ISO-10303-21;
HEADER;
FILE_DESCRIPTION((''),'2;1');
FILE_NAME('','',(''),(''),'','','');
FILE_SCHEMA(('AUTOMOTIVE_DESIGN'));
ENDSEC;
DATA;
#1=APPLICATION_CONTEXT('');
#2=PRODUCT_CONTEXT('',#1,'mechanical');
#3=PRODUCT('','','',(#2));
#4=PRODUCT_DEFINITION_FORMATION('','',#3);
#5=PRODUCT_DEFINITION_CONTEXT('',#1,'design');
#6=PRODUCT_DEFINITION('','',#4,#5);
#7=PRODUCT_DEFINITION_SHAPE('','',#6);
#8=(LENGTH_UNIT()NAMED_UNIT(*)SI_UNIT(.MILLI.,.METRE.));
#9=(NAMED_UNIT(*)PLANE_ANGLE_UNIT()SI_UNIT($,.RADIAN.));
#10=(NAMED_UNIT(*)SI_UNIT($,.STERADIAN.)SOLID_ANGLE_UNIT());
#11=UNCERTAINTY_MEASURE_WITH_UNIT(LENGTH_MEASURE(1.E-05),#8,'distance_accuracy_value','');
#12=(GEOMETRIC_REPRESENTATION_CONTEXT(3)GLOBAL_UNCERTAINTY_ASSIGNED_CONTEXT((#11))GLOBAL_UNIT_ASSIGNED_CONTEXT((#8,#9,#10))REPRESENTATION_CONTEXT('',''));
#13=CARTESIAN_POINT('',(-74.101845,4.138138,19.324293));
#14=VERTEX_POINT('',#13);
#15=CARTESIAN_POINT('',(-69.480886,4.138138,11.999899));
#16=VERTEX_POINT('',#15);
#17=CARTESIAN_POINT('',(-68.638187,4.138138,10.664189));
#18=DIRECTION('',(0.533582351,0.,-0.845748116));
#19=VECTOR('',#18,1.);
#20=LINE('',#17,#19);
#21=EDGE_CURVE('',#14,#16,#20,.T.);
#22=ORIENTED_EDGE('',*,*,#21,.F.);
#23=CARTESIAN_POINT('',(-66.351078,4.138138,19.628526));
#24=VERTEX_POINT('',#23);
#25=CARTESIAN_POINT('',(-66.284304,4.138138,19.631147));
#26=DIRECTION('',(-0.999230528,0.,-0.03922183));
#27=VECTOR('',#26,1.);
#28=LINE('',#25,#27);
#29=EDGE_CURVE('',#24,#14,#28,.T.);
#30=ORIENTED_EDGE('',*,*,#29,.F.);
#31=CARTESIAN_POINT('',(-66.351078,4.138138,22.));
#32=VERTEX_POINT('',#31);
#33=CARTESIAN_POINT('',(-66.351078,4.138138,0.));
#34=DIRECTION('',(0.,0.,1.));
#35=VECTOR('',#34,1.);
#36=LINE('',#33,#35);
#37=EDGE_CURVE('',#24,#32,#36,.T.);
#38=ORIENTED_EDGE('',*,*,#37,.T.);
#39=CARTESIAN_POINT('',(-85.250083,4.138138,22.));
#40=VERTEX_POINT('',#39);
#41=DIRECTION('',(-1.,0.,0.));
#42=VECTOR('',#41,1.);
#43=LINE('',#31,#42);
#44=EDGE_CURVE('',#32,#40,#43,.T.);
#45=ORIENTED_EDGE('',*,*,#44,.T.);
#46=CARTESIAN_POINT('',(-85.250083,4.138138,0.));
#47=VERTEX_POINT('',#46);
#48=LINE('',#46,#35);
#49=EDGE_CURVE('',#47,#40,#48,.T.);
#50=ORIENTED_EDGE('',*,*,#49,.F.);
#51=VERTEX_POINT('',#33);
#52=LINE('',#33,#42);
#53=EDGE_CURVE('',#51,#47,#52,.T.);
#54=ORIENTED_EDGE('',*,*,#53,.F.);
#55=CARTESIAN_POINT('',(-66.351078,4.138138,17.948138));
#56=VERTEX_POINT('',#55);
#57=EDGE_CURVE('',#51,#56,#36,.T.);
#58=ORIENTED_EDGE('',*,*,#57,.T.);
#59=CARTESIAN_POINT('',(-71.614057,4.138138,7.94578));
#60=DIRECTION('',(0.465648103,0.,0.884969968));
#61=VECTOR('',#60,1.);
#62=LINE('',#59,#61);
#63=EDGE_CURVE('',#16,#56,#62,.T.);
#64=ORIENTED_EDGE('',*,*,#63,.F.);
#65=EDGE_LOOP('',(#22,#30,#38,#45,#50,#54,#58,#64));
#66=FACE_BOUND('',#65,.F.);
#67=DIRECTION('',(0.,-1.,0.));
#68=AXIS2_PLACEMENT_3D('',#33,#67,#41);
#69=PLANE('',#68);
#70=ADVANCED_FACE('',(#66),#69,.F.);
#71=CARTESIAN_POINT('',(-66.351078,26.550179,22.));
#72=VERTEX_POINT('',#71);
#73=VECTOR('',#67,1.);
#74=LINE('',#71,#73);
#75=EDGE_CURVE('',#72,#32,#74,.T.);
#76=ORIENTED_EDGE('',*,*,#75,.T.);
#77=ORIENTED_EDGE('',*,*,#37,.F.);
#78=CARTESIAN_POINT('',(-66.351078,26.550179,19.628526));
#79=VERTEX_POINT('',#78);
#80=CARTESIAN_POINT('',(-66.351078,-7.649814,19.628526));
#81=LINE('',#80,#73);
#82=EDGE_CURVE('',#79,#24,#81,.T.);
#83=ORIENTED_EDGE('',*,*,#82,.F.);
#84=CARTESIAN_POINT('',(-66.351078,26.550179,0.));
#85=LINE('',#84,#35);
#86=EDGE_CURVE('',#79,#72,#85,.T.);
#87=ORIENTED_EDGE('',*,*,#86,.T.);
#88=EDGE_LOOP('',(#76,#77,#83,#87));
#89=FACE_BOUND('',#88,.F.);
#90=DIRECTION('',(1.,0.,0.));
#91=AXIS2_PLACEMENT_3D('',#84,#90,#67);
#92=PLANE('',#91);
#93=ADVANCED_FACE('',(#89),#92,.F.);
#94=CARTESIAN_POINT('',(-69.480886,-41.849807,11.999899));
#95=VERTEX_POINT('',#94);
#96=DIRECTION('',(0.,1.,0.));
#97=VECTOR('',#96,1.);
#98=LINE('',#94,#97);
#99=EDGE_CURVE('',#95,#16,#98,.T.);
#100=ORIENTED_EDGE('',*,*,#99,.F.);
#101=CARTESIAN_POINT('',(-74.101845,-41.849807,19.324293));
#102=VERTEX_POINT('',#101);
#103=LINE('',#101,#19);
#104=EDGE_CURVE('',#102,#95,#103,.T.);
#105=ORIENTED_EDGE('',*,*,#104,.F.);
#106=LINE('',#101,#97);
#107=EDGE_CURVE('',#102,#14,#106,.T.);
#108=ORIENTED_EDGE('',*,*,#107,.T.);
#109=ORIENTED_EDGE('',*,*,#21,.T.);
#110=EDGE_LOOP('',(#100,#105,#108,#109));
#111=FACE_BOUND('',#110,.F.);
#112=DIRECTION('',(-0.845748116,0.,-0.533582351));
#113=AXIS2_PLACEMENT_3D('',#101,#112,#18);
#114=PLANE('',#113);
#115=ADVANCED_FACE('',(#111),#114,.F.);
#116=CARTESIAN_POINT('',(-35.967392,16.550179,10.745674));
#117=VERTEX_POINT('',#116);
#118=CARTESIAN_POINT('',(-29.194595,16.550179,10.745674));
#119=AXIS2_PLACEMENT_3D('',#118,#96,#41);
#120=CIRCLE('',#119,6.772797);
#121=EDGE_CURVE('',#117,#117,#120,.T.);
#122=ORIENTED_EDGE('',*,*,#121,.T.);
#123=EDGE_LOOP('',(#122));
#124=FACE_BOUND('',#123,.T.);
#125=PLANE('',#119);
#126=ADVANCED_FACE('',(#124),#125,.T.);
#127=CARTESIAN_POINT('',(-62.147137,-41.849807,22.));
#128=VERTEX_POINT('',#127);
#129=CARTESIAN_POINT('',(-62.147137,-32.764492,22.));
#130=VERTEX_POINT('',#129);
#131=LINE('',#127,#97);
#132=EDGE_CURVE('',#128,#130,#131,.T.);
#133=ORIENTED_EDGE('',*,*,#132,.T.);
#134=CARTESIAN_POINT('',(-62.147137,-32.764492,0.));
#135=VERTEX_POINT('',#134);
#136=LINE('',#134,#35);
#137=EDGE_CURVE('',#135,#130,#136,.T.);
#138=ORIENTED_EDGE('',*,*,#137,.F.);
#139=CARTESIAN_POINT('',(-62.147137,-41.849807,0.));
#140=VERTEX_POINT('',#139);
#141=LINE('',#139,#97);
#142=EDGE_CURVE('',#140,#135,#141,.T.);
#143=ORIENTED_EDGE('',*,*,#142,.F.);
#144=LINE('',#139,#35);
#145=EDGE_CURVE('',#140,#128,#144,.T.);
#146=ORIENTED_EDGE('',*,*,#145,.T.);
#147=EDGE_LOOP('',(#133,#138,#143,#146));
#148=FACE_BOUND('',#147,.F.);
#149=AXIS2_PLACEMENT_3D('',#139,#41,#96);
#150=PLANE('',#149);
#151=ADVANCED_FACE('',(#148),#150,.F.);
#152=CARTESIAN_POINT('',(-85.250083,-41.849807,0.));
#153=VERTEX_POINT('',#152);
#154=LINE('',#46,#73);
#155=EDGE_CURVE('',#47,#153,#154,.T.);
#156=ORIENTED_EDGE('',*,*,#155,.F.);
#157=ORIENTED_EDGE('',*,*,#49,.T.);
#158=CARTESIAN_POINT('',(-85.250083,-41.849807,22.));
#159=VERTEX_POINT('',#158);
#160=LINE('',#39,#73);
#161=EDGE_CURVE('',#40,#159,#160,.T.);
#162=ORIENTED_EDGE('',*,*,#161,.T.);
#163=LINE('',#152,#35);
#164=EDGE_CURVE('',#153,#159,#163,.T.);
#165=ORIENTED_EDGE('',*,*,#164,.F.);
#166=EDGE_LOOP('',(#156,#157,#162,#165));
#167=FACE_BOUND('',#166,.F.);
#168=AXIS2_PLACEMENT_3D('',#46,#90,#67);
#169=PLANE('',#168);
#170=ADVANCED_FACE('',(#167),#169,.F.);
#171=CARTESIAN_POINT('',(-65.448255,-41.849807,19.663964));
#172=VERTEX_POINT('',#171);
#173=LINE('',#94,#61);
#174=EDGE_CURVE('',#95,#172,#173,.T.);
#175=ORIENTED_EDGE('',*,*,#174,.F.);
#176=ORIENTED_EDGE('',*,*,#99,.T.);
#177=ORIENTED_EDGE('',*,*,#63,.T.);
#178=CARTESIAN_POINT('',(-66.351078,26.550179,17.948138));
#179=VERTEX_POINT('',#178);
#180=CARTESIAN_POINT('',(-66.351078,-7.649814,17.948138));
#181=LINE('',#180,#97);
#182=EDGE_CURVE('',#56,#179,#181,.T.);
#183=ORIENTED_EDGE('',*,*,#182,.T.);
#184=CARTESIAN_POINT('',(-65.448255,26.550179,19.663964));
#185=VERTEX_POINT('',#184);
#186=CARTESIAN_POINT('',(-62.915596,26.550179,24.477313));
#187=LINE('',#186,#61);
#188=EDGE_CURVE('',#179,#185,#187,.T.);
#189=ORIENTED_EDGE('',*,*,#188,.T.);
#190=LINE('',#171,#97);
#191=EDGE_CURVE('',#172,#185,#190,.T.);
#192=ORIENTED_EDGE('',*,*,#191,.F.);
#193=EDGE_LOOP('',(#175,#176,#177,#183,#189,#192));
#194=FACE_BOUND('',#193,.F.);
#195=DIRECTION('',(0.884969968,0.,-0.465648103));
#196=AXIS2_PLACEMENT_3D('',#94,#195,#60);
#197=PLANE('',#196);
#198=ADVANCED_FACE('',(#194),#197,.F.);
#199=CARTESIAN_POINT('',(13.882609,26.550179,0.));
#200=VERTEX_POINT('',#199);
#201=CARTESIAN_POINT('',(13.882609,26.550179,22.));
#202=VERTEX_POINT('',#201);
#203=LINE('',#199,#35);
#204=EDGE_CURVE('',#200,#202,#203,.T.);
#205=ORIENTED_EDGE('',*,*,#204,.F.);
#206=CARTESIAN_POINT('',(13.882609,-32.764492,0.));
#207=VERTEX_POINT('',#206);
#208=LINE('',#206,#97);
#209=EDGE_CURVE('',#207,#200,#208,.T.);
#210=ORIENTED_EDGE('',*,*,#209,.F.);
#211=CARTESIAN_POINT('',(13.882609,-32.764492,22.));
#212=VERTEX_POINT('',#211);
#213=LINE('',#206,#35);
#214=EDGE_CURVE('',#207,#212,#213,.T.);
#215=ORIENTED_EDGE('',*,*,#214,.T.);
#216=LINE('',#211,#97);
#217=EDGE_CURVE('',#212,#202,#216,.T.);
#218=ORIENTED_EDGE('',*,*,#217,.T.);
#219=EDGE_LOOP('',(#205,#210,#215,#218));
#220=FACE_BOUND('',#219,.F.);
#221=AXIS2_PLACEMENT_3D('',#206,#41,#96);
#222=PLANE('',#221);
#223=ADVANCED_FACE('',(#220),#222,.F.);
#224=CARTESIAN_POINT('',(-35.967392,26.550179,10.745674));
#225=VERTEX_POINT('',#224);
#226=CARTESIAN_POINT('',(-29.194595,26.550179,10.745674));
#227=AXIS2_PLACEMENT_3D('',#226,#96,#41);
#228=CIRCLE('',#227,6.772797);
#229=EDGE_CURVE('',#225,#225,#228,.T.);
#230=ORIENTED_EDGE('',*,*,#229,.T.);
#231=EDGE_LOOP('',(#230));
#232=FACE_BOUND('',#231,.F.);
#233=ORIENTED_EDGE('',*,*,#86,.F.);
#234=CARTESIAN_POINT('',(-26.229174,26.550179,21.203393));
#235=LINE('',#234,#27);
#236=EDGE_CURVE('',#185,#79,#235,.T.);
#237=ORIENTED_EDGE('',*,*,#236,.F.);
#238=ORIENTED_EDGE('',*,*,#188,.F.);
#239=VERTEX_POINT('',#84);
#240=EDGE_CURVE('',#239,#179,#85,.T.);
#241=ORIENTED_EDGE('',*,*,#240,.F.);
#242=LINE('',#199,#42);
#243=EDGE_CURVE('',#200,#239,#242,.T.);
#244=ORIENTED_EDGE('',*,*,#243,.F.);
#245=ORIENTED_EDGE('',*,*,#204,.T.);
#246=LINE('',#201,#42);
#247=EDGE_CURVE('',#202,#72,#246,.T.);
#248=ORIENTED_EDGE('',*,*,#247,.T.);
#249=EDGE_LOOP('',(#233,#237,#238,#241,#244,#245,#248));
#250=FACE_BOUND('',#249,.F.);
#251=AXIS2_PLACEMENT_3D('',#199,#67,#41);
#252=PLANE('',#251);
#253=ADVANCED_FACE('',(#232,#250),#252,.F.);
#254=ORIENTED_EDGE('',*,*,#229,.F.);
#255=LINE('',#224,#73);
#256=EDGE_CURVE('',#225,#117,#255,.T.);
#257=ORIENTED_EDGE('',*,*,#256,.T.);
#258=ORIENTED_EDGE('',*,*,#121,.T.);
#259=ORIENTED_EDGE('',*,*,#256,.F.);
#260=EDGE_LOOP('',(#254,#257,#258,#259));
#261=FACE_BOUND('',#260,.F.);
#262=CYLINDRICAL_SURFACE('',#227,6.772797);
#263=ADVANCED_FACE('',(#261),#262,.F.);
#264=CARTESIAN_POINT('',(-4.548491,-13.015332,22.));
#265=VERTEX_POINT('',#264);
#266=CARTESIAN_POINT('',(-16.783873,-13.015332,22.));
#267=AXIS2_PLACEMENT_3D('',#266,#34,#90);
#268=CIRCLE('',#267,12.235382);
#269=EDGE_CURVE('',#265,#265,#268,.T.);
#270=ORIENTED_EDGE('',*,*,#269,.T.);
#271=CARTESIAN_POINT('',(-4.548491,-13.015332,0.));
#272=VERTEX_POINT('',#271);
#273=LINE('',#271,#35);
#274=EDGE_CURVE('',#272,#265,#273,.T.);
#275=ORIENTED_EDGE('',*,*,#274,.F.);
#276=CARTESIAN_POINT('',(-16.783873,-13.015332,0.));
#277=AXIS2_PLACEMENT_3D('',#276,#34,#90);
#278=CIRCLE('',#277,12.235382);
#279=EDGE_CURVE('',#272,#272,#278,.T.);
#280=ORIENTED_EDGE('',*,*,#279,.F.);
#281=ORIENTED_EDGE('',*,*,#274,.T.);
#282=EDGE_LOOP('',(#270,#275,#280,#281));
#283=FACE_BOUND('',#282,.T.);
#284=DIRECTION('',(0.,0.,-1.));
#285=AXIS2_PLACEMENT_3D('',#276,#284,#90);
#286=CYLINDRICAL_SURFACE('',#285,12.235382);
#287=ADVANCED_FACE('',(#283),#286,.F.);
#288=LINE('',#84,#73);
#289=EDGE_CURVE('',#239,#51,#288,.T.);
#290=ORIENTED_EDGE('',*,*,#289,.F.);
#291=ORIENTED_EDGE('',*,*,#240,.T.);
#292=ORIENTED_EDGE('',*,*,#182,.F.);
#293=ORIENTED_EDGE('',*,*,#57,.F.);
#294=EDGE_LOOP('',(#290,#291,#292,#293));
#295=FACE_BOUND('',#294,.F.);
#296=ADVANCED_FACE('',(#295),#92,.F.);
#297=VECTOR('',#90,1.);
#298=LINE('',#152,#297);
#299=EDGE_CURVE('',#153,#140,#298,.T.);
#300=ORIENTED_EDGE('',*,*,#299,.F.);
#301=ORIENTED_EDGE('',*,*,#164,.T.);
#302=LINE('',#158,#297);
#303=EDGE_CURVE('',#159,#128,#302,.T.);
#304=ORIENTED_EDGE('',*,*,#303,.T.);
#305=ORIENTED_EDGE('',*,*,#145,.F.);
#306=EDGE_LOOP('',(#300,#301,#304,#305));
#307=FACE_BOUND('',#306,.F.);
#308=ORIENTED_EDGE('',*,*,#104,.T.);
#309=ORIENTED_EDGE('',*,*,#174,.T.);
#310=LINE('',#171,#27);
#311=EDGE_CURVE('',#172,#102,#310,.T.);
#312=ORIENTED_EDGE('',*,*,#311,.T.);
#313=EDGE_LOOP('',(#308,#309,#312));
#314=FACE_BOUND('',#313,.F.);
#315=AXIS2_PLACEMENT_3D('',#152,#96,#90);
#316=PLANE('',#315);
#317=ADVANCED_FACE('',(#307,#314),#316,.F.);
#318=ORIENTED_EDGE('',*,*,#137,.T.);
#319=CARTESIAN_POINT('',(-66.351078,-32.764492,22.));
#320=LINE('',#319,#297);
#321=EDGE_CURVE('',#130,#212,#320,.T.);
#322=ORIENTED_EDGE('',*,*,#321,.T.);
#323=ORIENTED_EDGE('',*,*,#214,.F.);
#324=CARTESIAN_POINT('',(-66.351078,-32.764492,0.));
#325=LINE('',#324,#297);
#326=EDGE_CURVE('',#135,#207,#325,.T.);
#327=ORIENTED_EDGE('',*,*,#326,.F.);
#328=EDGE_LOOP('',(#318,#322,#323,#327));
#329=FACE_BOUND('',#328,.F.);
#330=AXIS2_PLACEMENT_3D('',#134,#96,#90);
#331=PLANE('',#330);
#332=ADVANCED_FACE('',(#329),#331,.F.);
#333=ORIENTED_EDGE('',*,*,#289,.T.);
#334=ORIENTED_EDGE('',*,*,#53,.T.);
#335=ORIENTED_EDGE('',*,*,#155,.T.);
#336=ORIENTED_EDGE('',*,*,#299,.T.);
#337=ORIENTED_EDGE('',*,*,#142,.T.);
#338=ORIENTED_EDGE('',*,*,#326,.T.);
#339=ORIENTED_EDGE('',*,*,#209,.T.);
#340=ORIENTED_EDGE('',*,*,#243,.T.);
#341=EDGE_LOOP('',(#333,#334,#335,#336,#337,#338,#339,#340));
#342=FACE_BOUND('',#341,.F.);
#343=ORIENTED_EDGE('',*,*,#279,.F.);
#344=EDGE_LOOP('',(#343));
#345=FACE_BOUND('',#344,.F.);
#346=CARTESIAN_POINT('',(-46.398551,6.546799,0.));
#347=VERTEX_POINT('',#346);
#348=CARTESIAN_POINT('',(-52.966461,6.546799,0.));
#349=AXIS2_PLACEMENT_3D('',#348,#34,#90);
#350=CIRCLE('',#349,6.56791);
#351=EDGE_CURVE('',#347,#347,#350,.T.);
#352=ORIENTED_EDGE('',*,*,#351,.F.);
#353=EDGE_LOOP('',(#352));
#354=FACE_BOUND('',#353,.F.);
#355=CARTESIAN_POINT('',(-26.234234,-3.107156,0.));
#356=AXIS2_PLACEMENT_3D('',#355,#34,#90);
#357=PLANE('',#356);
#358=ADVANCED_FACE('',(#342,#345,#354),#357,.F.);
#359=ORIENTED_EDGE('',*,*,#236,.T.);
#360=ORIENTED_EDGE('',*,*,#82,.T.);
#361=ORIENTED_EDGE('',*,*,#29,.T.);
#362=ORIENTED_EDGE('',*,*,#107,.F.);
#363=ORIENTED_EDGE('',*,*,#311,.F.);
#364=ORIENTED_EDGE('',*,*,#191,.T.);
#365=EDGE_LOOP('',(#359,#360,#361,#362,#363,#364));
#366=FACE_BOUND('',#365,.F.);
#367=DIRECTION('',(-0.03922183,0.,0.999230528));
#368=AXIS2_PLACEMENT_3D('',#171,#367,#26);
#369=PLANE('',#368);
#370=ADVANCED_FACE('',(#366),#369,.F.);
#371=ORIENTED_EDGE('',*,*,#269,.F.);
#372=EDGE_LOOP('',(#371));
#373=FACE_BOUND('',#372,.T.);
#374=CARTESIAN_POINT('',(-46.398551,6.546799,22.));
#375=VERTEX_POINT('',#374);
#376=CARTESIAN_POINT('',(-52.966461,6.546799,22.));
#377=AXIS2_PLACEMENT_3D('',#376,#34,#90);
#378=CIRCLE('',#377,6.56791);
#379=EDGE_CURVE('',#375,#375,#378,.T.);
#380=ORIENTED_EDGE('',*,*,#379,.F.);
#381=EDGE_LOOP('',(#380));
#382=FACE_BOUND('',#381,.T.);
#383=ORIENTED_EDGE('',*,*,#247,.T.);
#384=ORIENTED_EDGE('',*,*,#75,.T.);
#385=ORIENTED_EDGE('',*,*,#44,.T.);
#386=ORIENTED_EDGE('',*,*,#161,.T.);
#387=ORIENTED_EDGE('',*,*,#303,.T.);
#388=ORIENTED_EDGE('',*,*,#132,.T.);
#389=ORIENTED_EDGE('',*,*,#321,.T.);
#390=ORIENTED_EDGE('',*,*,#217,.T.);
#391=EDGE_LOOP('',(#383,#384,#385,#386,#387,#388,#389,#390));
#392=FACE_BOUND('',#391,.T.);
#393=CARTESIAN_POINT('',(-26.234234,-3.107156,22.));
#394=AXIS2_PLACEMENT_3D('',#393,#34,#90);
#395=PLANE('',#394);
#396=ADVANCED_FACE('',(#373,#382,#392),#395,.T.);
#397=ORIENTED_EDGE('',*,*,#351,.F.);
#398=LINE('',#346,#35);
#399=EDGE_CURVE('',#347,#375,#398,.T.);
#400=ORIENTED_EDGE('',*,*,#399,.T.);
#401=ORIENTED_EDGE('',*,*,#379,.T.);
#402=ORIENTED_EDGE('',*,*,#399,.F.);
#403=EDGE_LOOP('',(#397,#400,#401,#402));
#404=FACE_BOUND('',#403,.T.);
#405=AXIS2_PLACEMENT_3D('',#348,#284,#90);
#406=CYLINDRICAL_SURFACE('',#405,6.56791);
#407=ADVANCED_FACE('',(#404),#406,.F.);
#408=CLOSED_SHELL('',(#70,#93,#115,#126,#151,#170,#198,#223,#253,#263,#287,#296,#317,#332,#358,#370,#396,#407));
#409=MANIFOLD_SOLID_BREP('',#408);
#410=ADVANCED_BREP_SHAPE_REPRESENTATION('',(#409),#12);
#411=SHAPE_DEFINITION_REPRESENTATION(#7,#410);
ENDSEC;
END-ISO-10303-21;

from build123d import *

# Parameters (mm, degrees)
F0_R     = 12.235382
F0_R_2   = 6.56791
F1_DEPTH = 22
F3_DEPTH = 68.400986
F4_R     = 6.772797
F5_DEPTH = 10


with BuildPart() as f1:
    # F0 (on Top) → F1 (new body)
    with BuildSketch(Plane.XY):
        Polygon((-62.147137, -32.764492), (13.882609, -32.764492), (13.882609, 26.550179), (-66.351078, 26.550179), (-66.351078, 4.138138), (-66.351078, -32.764492), align=None)
        with Locations((-16.783873, -13.015332)):
            Circle(F0_R, mode=Mode.SUBTRACT)
        with Locations((-52.966461, 6.546799)):
            Circle(F0_R_2, mode=Mode.SUBTRACT)
        Polygon((-62.147137, -41.849807), (-62.147137, -32.764492), (-66.351078, -32.764492), (-66.351078, 4.138138), (-85.250083, 4.138138), (-85.250083, -41.849807), align=None)
    extrude(amount=F1_DEPTH)

    # F2 (on face) → F3 (cut, through all)
    with BuildSketch(Plane.XZ.offset(41.849807)):
        Polygon((-69.480886, 11.999899), (-65.448255, 19.663964), (-74.101845, 19.324293), align=None)
    extrude(amount=-F3_DEPTH, mode=Mode.SUBTRACT)

    # F4 (on face) → F5 (cut)
    with BuildSketch(Plane(origin=(0, 26.550179, 0), x_dir=(-1, 0, 0), z_dir=(0, 1, 0))):
        with Locations((29.194595, 10.745674)):
            Circle(F4_R)
    extrude(amount=-F5_DEPTH, mode=Mode.SUBTRACT)


solid = f1.part
